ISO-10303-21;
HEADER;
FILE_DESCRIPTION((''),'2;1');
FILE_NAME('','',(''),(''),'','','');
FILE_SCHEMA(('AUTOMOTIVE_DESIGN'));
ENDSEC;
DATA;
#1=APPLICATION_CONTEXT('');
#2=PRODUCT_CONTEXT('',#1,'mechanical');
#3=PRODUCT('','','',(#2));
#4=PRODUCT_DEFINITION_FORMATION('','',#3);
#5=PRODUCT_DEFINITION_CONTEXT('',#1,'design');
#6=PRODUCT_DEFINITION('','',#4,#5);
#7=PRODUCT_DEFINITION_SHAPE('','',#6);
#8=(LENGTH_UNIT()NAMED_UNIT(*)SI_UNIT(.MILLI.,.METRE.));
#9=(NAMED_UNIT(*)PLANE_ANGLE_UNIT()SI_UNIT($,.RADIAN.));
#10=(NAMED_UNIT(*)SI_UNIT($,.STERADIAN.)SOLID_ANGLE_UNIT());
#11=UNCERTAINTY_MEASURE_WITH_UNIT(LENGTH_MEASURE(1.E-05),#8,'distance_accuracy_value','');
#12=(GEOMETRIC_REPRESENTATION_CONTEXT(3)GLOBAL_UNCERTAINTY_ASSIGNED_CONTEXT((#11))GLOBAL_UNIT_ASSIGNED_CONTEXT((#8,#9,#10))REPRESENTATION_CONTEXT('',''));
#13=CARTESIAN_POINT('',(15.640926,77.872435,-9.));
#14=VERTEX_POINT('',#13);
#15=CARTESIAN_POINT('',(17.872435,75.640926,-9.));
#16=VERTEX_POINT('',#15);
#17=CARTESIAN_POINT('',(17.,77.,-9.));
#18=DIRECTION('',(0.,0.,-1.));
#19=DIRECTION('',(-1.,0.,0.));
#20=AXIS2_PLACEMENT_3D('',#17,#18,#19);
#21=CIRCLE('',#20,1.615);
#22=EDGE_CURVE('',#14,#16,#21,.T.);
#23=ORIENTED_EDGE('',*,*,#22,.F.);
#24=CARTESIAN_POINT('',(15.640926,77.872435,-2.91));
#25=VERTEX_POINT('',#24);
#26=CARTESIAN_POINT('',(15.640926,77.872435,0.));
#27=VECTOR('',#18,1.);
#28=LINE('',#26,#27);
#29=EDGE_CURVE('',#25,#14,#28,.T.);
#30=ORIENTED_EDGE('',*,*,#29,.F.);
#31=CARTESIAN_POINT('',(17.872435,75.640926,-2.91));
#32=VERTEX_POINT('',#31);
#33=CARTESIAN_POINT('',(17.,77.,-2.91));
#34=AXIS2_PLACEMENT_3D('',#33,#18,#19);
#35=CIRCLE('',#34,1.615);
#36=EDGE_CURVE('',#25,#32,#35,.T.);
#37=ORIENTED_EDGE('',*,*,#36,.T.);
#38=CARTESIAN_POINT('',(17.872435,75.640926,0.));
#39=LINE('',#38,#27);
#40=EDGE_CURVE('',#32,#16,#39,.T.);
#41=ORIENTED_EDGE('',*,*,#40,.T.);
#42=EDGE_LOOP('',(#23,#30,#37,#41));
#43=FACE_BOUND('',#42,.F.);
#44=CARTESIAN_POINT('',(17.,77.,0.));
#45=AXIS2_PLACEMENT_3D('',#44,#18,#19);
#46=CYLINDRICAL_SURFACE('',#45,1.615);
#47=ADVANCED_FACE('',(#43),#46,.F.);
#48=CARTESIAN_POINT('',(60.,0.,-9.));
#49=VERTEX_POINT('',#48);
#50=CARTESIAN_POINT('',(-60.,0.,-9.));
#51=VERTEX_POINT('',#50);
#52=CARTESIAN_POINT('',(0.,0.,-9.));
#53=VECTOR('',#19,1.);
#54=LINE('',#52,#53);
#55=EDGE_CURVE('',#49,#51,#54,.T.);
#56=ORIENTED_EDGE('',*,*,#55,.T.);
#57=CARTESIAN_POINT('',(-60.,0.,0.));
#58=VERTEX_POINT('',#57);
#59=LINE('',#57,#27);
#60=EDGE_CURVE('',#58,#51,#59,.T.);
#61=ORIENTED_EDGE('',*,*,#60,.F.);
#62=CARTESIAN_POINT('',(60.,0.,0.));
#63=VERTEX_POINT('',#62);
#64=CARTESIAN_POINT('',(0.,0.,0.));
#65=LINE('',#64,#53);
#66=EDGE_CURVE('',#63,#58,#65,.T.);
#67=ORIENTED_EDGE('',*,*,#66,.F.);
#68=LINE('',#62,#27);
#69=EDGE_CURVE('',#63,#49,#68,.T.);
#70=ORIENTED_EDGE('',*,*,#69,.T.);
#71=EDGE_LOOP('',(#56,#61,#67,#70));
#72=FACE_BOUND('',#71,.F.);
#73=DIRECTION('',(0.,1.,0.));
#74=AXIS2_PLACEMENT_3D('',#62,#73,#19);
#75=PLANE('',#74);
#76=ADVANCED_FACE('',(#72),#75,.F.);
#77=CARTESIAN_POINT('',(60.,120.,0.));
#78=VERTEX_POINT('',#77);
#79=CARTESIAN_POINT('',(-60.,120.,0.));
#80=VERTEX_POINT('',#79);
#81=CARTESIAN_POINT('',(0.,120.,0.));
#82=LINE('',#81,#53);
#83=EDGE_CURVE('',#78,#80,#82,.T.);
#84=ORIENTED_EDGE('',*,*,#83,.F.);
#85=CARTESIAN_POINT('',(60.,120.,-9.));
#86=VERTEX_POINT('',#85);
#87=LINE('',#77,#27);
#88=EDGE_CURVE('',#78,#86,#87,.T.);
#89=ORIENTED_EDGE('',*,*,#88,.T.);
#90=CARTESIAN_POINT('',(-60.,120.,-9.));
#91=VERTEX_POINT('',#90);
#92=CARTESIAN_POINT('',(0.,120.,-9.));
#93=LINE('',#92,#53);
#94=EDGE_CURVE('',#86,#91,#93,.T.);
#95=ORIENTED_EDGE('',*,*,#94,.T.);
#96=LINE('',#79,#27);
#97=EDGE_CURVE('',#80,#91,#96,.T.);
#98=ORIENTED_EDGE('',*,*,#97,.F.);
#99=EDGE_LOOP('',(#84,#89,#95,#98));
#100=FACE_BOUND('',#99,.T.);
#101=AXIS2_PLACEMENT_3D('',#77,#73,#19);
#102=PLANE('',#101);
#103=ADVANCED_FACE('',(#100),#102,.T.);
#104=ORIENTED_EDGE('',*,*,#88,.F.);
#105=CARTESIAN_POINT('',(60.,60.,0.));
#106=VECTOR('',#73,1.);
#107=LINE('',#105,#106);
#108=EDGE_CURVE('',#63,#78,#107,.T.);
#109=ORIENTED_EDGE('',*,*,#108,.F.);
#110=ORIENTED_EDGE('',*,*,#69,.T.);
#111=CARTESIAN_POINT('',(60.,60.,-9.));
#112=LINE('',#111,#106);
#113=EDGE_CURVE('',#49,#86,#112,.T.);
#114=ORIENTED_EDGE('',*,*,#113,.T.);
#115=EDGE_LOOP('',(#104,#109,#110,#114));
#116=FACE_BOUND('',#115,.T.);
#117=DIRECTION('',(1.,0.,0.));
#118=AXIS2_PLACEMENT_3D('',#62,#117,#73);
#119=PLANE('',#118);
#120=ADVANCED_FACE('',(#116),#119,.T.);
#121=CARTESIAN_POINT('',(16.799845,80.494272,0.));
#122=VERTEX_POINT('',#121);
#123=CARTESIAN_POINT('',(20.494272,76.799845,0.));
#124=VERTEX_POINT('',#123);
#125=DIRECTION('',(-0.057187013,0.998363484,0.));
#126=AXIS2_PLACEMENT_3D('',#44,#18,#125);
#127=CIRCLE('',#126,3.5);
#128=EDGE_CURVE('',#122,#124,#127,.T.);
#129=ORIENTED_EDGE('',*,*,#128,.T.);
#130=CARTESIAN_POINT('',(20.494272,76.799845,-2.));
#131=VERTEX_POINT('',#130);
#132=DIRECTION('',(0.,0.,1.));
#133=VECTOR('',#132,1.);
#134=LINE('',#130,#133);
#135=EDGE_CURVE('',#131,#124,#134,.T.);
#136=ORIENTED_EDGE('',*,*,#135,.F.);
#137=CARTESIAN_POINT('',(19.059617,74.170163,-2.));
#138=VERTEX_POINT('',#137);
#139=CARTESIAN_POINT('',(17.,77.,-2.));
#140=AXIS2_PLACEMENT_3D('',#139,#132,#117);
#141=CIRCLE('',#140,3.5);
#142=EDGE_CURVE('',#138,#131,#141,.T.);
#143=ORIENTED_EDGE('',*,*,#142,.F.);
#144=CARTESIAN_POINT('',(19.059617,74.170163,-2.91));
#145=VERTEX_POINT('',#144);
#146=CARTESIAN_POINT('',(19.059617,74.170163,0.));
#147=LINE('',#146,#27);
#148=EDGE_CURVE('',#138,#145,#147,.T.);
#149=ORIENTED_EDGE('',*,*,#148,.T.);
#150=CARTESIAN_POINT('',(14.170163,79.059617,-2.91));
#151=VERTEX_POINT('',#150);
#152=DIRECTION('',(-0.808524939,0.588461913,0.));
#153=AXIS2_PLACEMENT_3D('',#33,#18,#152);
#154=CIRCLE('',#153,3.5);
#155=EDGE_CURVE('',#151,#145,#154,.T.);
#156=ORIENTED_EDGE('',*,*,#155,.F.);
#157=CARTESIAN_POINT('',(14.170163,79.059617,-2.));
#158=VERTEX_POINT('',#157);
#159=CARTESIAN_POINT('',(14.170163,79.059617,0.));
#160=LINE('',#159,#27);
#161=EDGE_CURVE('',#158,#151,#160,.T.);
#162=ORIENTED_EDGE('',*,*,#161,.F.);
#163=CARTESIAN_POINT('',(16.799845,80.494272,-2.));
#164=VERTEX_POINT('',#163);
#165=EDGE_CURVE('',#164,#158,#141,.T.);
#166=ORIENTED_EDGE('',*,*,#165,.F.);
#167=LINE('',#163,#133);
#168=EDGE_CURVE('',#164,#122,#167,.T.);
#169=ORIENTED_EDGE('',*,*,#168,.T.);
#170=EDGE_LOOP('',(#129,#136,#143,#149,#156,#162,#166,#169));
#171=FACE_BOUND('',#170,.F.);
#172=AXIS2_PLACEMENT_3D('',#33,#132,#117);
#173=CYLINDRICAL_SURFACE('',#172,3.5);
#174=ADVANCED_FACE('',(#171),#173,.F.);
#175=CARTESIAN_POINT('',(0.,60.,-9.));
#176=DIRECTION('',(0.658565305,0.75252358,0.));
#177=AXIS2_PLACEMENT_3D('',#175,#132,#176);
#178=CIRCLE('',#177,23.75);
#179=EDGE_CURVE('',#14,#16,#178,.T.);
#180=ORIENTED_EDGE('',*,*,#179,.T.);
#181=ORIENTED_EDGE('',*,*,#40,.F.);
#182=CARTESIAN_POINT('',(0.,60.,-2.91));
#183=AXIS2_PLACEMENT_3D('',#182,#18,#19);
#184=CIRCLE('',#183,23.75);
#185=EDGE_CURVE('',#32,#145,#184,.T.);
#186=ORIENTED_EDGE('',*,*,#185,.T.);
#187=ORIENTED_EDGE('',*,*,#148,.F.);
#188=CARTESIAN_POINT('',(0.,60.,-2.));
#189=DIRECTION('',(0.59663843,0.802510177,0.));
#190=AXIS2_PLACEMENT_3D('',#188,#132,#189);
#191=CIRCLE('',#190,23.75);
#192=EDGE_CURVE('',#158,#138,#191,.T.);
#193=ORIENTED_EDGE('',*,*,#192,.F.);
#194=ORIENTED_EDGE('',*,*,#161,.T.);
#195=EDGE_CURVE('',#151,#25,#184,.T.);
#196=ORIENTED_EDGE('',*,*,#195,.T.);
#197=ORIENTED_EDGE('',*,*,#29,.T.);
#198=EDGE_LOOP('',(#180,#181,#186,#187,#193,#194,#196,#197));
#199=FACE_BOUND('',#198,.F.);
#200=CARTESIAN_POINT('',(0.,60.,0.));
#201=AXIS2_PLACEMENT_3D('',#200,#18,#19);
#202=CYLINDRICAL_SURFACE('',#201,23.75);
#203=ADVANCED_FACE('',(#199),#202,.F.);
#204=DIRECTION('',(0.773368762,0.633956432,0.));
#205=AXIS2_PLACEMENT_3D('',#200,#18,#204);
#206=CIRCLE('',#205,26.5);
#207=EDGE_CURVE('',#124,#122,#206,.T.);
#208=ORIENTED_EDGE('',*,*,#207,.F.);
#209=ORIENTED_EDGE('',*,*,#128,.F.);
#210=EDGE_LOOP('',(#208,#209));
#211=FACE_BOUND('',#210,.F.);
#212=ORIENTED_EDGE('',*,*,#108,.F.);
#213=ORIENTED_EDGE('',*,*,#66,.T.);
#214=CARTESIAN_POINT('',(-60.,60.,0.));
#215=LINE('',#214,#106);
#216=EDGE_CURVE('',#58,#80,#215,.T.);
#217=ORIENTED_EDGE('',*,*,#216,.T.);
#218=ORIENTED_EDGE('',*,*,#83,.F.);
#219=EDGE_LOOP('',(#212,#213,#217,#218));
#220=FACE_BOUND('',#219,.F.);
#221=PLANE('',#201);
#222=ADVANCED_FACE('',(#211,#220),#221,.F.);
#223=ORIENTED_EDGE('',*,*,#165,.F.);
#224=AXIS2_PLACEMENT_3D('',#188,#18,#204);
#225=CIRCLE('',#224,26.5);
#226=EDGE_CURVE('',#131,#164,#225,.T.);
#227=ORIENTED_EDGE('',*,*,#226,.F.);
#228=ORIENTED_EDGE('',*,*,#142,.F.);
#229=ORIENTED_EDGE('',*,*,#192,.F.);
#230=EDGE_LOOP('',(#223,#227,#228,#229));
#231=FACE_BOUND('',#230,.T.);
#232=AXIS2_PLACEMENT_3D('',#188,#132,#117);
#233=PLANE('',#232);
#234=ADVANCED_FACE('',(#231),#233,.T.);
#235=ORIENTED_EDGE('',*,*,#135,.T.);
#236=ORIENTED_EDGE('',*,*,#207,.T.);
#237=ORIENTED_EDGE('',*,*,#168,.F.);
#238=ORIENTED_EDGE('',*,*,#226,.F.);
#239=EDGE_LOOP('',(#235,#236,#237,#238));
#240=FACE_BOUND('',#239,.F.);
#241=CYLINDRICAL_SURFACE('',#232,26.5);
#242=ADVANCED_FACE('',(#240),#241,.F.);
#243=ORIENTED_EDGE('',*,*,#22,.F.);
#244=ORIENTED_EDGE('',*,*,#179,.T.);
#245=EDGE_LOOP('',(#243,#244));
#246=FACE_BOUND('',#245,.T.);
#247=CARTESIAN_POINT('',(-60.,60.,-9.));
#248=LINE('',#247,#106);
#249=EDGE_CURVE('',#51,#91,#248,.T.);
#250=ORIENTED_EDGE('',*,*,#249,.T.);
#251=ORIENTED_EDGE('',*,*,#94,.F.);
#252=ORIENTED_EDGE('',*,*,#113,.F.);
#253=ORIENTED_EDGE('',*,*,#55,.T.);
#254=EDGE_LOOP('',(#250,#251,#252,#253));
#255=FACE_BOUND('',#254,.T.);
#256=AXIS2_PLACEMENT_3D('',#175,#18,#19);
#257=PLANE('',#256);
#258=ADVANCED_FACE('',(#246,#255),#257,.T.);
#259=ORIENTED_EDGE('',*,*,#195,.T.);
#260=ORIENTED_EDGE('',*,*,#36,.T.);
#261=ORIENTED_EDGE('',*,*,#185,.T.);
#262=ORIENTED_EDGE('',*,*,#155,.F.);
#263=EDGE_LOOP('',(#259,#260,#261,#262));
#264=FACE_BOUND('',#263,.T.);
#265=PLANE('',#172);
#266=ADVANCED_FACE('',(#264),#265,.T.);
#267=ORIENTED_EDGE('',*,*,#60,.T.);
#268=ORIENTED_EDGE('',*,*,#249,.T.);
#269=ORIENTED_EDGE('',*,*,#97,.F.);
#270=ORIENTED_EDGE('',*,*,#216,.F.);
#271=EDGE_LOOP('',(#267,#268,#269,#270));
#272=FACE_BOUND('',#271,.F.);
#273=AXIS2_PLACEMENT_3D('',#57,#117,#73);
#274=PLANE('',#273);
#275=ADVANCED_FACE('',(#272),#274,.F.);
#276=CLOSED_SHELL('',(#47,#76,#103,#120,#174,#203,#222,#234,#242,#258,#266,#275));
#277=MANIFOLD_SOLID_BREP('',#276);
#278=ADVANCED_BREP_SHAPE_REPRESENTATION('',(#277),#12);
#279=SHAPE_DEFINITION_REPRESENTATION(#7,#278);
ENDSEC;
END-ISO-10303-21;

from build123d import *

# Parameters (mm, degrees)
SKETCH_W            = 120
SKETCH_H            = 120
PAD_DEPTH           = 9
HOLE002_D           = 47.5
HOLE002_DEPTH       = 25
HOLE002_CBORE_D     = 53
HOLE002_CBORE_DEPTH = 2
CYLINDER_R          = 3.5
CYLINDER_DEPTH      = 39
HOLE003_D           = 3.23
HOLE003_CBORE_D     = 7
HOLE003_CBORE_DEPTH = 2.91


with BuildPart() as part:
    # Sketch → Pad (new body)
    with BuildSketch(Plane(origin=(0, 0, 0), x_dir=(-1, 0, 0), z_dir=(0, 0, -1))):
        with Locations((0, 60)):
            Rectangle(SKETCH_W, SKETCH_H)
    extrude(amount=PAD_DEPTH)

    # Hole002
    with Locations(Plane(origin=(0, 60, 0), x_dir=(1, 0, 0), z_dir=(0, 0, 1))):
        with Locations((0, 0)):
            CounterBoreHole(HOLE002_D / 2, HOLE002_CBORE_D / 2, HOLE002_CBORE_DEPTH, depth=HOLE002_DEPTH)

    # Cylinder → Cylinder (join)
    with BuildSketch(Plane(origin=(17, 77, 39), x_dir=(0, 1, 0), z_dir=(0, 0, 1))):
        Circle(CYLINDER_R)
    extrude(amount=CYLINDER_DEPTH)

    # Hole003 (through all)
    with Locations(Plane(origin=(0, 60, 0), x_dir=(1, 0, 0), z_dir=(0, 0, 1))):
        with Locations((17, 17)):
            CounterBoreHole(HOLE003_D / 2, HOLE003_CBORE_D / 2, HOLE003_CBORE_DEPTH)


solid = part.part
